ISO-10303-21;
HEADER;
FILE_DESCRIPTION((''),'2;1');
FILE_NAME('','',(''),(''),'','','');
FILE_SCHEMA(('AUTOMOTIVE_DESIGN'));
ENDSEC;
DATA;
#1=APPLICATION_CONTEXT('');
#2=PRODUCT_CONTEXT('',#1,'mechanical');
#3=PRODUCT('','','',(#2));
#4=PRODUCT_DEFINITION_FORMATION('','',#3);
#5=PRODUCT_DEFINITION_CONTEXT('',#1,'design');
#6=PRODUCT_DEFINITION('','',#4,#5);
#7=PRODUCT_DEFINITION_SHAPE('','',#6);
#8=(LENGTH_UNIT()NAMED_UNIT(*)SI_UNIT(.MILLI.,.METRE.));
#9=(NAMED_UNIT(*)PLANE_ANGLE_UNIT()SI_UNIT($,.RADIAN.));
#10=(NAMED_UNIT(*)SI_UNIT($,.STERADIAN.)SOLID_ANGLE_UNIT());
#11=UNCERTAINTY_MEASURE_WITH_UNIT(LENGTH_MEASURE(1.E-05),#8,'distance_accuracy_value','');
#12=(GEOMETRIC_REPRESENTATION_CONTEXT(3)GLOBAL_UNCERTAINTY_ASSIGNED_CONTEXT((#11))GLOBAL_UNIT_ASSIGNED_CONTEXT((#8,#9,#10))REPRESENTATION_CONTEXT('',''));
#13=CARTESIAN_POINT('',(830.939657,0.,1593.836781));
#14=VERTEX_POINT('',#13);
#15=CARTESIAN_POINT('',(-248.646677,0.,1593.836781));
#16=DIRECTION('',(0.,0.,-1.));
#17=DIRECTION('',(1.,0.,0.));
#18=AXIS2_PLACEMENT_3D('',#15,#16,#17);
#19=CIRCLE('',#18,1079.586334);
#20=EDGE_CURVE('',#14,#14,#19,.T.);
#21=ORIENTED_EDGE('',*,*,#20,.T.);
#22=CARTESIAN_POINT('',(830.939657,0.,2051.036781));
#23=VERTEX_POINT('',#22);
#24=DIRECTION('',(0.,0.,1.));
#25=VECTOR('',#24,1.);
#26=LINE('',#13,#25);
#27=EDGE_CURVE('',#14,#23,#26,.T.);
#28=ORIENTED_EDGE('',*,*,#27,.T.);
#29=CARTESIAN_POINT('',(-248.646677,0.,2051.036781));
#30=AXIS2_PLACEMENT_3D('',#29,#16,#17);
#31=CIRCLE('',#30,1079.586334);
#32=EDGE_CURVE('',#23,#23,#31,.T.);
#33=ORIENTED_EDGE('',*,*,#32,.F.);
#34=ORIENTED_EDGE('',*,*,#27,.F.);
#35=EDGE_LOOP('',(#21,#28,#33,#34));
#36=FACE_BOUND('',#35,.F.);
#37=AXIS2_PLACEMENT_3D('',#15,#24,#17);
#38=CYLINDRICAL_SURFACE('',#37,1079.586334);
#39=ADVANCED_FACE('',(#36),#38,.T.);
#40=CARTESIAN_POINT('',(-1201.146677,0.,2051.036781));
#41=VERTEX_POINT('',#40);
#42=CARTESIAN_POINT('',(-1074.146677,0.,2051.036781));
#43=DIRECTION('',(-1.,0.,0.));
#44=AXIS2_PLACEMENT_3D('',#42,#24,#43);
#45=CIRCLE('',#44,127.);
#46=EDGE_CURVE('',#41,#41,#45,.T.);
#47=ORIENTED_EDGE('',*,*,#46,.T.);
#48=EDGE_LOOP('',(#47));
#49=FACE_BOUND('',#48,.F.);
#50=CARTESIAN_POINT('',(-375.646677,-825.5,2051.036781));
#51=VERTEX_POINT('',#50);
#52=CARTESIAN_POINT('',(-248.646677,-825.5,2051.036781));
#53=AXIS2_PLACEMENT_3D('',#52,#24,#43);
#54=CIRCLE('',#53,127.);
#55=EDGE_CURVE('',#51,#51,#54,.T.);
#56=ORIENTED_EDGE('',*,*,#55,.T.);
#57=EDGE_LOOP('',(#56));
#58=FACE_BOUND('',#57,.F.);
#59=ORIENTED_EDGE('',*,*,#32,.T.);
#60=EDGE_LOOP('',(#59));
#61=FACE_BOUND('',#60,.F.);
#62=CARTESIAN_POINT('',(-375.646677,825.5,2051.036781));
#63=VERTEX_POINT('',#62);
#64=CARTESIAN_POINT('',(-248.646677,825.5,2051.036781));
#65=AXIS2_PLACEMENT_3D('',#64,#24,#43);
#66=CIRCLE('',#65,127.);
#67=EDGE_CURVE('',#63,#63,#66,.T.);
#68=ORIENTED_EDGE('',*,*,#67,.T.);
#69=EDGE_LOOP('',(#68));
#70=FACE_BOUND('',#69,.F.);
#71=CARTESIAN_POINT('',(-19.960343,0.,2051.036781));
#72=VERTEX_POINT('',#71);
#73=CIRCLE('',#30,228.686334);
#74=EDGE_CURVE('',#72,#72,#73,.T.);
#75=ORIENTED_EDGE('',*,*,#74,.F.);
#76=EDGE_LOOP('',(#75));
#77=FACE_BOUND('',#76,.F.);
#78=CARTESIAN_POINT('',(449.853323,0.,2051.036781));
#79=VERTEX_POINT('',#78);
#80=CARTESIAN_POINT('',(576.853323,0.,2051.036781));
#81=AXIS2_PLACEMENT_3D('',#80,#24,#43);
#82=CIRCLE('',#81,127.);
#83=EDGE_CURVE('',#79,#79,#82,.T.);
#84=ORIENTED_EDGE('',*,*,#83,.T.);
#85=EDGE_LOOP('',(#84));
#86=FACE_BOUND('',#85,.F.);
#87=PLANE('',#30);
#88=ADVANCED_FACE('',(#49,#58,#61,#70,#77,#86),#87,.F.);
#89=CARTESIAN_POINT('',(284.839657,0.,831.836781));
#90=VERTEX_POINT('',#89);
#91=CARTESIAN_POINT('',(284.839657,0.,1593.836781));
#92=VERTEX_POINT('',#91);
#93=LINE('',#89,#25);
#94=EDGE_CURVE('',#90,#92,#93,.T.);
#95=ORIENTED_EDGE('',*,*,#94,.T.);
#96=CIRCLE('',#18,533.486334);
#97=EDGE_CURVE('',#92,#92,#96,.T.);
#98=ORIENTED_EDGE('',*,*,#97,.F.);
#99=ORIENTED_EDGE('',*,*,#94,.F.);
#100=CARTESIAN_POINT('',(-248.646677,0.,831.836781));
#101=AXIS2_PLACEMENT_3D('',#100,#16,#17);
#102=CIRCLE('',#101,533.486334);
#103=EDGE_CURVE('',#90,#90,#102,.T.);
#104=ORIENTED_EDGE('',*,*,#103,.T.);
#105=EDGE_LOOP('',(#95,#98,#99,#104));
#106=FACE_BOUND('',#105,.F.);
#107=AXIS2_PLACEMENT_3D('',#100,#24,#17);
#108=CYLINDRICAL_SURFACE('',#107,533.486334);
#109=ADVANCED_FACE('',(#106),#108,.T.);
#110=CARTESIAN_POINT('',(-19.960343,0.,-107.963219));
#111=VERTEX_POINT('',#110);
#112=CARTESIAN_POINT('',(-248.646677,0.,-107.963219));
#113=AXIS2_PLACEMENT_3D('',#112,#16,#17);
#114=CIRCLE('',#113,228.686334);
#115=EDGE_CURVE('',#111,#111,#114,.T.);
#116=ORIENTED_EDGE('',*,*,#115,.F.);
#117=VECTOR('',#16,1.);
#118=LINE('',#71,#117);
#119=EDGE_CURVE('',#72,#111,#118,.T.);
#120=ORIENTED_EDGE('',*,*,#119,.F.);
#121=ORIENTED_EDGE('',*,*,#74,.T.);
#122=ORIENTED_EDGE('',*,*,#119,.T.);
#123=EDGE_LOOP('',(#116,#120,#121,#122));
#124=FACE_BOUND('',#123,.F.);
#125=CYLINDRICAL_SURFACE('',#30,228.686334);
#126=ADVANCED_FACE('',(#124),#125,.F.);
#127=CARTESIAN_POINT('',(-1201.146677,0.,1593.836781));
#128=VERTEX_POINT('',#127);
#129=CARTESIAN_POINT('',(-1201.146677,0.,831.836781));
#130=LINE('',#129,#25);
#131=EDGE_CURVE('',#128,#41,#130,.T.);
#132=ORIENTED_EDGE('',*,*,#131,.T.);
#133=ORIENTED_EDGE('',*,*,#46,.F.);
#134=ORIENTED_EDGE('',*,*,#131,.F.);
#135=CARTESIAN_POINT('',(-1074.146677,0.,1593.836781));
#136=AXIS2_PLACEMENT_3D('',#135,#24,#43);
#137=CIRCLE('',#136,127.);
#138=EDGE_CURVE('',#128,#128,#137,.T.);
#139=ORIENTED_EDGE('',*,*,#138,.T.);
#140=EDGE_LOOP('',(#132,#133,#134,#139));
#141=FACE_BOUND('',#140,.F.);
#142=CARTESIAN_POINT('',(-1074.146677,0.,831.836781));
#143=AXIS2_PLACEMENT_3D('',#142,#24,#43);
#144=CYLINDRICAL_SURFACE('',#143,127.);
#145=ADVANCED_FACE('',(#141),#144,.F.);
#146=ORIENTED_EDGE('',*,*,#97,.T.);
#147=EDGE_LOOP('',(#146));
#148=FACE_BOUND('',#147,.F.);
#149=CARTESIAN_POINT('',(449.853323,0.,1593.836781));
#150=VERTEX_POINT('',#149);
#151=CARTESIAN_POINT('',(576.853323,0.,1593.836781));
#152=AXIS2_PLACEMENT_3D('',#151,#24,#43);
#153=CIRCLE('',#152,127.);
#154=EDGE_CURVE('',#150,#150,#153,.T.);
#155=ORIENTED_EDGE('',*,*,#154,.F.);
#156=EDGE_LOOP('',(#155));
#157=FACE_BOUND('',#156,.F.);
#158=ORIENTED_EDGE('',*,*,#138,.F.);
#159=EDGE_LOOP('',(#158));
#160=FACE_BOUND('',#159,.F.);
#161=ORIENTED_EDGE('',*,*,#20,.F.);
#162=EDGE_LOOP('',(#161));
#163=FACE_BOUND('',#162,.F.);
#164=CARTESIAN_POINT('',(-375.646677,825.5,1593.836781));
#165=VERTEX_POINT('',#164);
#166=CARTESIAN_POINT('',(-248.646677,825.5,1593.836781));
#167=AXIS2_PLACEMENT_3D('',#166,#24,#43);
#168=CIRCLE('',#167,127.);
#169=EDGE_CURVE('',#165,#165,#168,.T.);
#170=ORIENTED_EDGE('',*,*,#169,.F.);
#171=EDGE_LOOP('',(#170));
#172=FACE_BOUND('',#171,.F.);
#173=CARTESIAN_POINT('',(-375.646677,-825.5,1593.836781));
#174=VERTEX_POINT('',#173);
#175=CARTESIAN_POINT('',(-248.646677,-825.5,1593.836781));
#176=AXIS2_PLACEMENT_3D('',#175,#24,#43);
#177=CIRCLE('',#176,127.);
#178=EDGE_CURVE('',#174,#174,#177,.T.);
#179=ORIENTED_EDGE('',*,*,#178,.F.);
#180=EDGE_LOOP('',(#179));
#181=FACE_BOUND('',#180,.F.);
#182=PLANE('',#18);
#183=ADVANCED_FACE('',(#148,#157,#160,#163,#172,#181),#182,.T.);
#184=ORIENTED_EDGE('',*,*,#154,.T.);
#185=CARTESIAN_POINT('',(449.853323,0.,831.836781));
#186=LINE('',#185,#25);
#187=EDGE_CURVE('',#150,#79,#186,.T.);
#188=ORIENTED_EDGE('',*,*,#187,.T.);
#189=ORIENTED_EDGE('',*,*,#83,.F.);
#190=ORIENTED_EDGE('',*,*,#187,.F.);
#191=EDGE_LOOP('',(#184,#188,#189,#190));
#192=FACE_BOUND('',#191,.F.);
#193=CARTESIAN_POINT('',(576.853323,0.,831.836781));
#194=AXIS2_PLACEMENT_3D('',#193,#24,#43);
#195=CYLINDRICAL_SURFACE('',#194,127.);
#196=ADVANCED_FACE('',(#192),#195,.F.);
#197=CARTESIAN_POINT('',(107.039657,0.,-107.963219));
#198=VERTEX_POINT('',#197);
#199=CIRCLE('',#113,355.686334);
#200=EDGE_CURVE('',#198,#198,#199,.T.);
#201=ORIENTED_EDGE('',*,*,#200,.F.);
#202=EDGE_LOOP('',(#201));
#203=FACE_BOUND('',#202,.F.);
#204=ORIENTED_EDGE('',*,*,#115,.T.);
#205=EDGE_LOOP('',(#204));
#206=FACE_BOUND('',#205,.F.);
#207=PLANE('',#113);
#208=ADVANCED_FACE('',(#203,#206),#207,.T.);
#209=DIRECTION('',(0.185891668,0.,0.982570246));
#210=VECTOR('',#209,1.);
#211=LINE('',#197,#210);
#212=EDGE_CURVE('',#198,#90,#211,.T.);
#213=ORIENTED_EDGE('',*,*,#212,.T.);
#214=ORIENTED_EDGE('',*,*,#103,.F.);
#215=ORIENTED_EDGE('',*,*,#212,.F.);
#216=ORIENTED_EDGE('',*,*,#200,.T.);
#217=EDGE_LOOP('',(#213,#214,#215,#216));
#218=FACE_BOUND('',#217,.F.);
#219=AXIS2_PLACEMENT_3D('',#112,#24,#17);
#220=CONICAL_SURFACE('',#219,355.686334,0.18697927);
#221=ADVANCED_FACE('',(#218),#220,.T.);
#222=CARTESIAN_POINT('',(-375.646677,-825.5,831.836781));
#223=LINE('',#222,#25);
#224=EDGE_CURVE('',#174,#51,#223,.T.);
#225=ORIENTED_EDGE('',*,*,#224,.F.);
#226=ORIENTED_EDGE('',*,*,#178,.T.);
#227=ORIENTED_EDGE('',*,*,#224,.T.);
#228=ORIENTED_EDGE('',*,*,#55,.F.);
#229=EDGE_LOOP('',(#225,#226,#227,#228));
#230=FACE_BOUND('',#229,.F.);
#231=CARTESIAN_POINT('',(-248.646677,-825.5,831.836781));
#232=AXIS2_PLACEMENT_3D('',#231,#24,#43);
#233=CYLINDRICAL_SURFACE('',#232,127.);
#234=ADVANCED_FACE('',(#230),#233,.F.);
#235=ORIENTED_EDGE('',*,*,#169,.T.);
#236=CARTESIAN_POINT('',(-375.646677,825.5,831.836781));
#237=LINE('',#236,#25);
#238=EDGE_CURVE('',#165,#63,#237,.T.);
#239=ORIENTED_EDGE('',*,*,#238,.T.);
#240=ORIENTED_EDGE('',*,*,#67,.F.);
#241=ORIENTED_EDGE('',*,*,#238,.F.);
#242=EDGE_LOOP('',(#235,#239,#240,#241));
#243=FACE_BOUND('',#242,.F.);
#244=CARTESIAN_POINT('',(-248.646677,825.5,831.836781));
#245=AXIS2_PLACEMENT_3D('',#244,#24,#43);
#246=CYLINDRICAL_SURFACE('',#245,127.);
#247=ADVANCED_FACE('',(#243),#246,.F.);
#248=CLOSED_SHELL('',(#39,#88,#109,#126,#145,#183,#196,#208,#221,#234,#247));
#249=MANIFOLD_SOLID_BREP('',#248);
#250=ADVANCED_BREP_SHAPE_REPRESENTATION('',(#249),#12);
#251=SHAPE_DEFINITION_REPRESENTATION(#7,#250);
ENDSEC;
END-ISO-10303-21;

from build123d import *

# Parameters (mm, degrees)
F3_D     = 254
F3_DEPTH = 762


with BuildPart() as f1:
    # F0 (on Front) → F1 (revolve)
    with BuildSketch(Plane.XZ):
        Polygon((-19.960343, 2051.036781), (-19.960343, -107.963219), (107.039657, -107.963219), (284.839657, 831.836781), (284.839657, 1593.836781), (830.939657, 1593.836781), (830.939657, 2051.036781), align=None)
    revolve(axis=Axis((-248.646677, 0, 822.535384), (0, 0, -1)))

    # F3
    with Locations(Plane(origin=(0, 0, 1593.836781), x_dir=(1, 0, 0), z_dir=(0, 0, -1))):
        with Locations((-248.646677, 825.5), (-1074.146677, 0), (-248.646677, -825.5), (576.853323, 0)):
            Hole(F3_D / 2, depth=F3_DEPTH)


solid = f1.part
